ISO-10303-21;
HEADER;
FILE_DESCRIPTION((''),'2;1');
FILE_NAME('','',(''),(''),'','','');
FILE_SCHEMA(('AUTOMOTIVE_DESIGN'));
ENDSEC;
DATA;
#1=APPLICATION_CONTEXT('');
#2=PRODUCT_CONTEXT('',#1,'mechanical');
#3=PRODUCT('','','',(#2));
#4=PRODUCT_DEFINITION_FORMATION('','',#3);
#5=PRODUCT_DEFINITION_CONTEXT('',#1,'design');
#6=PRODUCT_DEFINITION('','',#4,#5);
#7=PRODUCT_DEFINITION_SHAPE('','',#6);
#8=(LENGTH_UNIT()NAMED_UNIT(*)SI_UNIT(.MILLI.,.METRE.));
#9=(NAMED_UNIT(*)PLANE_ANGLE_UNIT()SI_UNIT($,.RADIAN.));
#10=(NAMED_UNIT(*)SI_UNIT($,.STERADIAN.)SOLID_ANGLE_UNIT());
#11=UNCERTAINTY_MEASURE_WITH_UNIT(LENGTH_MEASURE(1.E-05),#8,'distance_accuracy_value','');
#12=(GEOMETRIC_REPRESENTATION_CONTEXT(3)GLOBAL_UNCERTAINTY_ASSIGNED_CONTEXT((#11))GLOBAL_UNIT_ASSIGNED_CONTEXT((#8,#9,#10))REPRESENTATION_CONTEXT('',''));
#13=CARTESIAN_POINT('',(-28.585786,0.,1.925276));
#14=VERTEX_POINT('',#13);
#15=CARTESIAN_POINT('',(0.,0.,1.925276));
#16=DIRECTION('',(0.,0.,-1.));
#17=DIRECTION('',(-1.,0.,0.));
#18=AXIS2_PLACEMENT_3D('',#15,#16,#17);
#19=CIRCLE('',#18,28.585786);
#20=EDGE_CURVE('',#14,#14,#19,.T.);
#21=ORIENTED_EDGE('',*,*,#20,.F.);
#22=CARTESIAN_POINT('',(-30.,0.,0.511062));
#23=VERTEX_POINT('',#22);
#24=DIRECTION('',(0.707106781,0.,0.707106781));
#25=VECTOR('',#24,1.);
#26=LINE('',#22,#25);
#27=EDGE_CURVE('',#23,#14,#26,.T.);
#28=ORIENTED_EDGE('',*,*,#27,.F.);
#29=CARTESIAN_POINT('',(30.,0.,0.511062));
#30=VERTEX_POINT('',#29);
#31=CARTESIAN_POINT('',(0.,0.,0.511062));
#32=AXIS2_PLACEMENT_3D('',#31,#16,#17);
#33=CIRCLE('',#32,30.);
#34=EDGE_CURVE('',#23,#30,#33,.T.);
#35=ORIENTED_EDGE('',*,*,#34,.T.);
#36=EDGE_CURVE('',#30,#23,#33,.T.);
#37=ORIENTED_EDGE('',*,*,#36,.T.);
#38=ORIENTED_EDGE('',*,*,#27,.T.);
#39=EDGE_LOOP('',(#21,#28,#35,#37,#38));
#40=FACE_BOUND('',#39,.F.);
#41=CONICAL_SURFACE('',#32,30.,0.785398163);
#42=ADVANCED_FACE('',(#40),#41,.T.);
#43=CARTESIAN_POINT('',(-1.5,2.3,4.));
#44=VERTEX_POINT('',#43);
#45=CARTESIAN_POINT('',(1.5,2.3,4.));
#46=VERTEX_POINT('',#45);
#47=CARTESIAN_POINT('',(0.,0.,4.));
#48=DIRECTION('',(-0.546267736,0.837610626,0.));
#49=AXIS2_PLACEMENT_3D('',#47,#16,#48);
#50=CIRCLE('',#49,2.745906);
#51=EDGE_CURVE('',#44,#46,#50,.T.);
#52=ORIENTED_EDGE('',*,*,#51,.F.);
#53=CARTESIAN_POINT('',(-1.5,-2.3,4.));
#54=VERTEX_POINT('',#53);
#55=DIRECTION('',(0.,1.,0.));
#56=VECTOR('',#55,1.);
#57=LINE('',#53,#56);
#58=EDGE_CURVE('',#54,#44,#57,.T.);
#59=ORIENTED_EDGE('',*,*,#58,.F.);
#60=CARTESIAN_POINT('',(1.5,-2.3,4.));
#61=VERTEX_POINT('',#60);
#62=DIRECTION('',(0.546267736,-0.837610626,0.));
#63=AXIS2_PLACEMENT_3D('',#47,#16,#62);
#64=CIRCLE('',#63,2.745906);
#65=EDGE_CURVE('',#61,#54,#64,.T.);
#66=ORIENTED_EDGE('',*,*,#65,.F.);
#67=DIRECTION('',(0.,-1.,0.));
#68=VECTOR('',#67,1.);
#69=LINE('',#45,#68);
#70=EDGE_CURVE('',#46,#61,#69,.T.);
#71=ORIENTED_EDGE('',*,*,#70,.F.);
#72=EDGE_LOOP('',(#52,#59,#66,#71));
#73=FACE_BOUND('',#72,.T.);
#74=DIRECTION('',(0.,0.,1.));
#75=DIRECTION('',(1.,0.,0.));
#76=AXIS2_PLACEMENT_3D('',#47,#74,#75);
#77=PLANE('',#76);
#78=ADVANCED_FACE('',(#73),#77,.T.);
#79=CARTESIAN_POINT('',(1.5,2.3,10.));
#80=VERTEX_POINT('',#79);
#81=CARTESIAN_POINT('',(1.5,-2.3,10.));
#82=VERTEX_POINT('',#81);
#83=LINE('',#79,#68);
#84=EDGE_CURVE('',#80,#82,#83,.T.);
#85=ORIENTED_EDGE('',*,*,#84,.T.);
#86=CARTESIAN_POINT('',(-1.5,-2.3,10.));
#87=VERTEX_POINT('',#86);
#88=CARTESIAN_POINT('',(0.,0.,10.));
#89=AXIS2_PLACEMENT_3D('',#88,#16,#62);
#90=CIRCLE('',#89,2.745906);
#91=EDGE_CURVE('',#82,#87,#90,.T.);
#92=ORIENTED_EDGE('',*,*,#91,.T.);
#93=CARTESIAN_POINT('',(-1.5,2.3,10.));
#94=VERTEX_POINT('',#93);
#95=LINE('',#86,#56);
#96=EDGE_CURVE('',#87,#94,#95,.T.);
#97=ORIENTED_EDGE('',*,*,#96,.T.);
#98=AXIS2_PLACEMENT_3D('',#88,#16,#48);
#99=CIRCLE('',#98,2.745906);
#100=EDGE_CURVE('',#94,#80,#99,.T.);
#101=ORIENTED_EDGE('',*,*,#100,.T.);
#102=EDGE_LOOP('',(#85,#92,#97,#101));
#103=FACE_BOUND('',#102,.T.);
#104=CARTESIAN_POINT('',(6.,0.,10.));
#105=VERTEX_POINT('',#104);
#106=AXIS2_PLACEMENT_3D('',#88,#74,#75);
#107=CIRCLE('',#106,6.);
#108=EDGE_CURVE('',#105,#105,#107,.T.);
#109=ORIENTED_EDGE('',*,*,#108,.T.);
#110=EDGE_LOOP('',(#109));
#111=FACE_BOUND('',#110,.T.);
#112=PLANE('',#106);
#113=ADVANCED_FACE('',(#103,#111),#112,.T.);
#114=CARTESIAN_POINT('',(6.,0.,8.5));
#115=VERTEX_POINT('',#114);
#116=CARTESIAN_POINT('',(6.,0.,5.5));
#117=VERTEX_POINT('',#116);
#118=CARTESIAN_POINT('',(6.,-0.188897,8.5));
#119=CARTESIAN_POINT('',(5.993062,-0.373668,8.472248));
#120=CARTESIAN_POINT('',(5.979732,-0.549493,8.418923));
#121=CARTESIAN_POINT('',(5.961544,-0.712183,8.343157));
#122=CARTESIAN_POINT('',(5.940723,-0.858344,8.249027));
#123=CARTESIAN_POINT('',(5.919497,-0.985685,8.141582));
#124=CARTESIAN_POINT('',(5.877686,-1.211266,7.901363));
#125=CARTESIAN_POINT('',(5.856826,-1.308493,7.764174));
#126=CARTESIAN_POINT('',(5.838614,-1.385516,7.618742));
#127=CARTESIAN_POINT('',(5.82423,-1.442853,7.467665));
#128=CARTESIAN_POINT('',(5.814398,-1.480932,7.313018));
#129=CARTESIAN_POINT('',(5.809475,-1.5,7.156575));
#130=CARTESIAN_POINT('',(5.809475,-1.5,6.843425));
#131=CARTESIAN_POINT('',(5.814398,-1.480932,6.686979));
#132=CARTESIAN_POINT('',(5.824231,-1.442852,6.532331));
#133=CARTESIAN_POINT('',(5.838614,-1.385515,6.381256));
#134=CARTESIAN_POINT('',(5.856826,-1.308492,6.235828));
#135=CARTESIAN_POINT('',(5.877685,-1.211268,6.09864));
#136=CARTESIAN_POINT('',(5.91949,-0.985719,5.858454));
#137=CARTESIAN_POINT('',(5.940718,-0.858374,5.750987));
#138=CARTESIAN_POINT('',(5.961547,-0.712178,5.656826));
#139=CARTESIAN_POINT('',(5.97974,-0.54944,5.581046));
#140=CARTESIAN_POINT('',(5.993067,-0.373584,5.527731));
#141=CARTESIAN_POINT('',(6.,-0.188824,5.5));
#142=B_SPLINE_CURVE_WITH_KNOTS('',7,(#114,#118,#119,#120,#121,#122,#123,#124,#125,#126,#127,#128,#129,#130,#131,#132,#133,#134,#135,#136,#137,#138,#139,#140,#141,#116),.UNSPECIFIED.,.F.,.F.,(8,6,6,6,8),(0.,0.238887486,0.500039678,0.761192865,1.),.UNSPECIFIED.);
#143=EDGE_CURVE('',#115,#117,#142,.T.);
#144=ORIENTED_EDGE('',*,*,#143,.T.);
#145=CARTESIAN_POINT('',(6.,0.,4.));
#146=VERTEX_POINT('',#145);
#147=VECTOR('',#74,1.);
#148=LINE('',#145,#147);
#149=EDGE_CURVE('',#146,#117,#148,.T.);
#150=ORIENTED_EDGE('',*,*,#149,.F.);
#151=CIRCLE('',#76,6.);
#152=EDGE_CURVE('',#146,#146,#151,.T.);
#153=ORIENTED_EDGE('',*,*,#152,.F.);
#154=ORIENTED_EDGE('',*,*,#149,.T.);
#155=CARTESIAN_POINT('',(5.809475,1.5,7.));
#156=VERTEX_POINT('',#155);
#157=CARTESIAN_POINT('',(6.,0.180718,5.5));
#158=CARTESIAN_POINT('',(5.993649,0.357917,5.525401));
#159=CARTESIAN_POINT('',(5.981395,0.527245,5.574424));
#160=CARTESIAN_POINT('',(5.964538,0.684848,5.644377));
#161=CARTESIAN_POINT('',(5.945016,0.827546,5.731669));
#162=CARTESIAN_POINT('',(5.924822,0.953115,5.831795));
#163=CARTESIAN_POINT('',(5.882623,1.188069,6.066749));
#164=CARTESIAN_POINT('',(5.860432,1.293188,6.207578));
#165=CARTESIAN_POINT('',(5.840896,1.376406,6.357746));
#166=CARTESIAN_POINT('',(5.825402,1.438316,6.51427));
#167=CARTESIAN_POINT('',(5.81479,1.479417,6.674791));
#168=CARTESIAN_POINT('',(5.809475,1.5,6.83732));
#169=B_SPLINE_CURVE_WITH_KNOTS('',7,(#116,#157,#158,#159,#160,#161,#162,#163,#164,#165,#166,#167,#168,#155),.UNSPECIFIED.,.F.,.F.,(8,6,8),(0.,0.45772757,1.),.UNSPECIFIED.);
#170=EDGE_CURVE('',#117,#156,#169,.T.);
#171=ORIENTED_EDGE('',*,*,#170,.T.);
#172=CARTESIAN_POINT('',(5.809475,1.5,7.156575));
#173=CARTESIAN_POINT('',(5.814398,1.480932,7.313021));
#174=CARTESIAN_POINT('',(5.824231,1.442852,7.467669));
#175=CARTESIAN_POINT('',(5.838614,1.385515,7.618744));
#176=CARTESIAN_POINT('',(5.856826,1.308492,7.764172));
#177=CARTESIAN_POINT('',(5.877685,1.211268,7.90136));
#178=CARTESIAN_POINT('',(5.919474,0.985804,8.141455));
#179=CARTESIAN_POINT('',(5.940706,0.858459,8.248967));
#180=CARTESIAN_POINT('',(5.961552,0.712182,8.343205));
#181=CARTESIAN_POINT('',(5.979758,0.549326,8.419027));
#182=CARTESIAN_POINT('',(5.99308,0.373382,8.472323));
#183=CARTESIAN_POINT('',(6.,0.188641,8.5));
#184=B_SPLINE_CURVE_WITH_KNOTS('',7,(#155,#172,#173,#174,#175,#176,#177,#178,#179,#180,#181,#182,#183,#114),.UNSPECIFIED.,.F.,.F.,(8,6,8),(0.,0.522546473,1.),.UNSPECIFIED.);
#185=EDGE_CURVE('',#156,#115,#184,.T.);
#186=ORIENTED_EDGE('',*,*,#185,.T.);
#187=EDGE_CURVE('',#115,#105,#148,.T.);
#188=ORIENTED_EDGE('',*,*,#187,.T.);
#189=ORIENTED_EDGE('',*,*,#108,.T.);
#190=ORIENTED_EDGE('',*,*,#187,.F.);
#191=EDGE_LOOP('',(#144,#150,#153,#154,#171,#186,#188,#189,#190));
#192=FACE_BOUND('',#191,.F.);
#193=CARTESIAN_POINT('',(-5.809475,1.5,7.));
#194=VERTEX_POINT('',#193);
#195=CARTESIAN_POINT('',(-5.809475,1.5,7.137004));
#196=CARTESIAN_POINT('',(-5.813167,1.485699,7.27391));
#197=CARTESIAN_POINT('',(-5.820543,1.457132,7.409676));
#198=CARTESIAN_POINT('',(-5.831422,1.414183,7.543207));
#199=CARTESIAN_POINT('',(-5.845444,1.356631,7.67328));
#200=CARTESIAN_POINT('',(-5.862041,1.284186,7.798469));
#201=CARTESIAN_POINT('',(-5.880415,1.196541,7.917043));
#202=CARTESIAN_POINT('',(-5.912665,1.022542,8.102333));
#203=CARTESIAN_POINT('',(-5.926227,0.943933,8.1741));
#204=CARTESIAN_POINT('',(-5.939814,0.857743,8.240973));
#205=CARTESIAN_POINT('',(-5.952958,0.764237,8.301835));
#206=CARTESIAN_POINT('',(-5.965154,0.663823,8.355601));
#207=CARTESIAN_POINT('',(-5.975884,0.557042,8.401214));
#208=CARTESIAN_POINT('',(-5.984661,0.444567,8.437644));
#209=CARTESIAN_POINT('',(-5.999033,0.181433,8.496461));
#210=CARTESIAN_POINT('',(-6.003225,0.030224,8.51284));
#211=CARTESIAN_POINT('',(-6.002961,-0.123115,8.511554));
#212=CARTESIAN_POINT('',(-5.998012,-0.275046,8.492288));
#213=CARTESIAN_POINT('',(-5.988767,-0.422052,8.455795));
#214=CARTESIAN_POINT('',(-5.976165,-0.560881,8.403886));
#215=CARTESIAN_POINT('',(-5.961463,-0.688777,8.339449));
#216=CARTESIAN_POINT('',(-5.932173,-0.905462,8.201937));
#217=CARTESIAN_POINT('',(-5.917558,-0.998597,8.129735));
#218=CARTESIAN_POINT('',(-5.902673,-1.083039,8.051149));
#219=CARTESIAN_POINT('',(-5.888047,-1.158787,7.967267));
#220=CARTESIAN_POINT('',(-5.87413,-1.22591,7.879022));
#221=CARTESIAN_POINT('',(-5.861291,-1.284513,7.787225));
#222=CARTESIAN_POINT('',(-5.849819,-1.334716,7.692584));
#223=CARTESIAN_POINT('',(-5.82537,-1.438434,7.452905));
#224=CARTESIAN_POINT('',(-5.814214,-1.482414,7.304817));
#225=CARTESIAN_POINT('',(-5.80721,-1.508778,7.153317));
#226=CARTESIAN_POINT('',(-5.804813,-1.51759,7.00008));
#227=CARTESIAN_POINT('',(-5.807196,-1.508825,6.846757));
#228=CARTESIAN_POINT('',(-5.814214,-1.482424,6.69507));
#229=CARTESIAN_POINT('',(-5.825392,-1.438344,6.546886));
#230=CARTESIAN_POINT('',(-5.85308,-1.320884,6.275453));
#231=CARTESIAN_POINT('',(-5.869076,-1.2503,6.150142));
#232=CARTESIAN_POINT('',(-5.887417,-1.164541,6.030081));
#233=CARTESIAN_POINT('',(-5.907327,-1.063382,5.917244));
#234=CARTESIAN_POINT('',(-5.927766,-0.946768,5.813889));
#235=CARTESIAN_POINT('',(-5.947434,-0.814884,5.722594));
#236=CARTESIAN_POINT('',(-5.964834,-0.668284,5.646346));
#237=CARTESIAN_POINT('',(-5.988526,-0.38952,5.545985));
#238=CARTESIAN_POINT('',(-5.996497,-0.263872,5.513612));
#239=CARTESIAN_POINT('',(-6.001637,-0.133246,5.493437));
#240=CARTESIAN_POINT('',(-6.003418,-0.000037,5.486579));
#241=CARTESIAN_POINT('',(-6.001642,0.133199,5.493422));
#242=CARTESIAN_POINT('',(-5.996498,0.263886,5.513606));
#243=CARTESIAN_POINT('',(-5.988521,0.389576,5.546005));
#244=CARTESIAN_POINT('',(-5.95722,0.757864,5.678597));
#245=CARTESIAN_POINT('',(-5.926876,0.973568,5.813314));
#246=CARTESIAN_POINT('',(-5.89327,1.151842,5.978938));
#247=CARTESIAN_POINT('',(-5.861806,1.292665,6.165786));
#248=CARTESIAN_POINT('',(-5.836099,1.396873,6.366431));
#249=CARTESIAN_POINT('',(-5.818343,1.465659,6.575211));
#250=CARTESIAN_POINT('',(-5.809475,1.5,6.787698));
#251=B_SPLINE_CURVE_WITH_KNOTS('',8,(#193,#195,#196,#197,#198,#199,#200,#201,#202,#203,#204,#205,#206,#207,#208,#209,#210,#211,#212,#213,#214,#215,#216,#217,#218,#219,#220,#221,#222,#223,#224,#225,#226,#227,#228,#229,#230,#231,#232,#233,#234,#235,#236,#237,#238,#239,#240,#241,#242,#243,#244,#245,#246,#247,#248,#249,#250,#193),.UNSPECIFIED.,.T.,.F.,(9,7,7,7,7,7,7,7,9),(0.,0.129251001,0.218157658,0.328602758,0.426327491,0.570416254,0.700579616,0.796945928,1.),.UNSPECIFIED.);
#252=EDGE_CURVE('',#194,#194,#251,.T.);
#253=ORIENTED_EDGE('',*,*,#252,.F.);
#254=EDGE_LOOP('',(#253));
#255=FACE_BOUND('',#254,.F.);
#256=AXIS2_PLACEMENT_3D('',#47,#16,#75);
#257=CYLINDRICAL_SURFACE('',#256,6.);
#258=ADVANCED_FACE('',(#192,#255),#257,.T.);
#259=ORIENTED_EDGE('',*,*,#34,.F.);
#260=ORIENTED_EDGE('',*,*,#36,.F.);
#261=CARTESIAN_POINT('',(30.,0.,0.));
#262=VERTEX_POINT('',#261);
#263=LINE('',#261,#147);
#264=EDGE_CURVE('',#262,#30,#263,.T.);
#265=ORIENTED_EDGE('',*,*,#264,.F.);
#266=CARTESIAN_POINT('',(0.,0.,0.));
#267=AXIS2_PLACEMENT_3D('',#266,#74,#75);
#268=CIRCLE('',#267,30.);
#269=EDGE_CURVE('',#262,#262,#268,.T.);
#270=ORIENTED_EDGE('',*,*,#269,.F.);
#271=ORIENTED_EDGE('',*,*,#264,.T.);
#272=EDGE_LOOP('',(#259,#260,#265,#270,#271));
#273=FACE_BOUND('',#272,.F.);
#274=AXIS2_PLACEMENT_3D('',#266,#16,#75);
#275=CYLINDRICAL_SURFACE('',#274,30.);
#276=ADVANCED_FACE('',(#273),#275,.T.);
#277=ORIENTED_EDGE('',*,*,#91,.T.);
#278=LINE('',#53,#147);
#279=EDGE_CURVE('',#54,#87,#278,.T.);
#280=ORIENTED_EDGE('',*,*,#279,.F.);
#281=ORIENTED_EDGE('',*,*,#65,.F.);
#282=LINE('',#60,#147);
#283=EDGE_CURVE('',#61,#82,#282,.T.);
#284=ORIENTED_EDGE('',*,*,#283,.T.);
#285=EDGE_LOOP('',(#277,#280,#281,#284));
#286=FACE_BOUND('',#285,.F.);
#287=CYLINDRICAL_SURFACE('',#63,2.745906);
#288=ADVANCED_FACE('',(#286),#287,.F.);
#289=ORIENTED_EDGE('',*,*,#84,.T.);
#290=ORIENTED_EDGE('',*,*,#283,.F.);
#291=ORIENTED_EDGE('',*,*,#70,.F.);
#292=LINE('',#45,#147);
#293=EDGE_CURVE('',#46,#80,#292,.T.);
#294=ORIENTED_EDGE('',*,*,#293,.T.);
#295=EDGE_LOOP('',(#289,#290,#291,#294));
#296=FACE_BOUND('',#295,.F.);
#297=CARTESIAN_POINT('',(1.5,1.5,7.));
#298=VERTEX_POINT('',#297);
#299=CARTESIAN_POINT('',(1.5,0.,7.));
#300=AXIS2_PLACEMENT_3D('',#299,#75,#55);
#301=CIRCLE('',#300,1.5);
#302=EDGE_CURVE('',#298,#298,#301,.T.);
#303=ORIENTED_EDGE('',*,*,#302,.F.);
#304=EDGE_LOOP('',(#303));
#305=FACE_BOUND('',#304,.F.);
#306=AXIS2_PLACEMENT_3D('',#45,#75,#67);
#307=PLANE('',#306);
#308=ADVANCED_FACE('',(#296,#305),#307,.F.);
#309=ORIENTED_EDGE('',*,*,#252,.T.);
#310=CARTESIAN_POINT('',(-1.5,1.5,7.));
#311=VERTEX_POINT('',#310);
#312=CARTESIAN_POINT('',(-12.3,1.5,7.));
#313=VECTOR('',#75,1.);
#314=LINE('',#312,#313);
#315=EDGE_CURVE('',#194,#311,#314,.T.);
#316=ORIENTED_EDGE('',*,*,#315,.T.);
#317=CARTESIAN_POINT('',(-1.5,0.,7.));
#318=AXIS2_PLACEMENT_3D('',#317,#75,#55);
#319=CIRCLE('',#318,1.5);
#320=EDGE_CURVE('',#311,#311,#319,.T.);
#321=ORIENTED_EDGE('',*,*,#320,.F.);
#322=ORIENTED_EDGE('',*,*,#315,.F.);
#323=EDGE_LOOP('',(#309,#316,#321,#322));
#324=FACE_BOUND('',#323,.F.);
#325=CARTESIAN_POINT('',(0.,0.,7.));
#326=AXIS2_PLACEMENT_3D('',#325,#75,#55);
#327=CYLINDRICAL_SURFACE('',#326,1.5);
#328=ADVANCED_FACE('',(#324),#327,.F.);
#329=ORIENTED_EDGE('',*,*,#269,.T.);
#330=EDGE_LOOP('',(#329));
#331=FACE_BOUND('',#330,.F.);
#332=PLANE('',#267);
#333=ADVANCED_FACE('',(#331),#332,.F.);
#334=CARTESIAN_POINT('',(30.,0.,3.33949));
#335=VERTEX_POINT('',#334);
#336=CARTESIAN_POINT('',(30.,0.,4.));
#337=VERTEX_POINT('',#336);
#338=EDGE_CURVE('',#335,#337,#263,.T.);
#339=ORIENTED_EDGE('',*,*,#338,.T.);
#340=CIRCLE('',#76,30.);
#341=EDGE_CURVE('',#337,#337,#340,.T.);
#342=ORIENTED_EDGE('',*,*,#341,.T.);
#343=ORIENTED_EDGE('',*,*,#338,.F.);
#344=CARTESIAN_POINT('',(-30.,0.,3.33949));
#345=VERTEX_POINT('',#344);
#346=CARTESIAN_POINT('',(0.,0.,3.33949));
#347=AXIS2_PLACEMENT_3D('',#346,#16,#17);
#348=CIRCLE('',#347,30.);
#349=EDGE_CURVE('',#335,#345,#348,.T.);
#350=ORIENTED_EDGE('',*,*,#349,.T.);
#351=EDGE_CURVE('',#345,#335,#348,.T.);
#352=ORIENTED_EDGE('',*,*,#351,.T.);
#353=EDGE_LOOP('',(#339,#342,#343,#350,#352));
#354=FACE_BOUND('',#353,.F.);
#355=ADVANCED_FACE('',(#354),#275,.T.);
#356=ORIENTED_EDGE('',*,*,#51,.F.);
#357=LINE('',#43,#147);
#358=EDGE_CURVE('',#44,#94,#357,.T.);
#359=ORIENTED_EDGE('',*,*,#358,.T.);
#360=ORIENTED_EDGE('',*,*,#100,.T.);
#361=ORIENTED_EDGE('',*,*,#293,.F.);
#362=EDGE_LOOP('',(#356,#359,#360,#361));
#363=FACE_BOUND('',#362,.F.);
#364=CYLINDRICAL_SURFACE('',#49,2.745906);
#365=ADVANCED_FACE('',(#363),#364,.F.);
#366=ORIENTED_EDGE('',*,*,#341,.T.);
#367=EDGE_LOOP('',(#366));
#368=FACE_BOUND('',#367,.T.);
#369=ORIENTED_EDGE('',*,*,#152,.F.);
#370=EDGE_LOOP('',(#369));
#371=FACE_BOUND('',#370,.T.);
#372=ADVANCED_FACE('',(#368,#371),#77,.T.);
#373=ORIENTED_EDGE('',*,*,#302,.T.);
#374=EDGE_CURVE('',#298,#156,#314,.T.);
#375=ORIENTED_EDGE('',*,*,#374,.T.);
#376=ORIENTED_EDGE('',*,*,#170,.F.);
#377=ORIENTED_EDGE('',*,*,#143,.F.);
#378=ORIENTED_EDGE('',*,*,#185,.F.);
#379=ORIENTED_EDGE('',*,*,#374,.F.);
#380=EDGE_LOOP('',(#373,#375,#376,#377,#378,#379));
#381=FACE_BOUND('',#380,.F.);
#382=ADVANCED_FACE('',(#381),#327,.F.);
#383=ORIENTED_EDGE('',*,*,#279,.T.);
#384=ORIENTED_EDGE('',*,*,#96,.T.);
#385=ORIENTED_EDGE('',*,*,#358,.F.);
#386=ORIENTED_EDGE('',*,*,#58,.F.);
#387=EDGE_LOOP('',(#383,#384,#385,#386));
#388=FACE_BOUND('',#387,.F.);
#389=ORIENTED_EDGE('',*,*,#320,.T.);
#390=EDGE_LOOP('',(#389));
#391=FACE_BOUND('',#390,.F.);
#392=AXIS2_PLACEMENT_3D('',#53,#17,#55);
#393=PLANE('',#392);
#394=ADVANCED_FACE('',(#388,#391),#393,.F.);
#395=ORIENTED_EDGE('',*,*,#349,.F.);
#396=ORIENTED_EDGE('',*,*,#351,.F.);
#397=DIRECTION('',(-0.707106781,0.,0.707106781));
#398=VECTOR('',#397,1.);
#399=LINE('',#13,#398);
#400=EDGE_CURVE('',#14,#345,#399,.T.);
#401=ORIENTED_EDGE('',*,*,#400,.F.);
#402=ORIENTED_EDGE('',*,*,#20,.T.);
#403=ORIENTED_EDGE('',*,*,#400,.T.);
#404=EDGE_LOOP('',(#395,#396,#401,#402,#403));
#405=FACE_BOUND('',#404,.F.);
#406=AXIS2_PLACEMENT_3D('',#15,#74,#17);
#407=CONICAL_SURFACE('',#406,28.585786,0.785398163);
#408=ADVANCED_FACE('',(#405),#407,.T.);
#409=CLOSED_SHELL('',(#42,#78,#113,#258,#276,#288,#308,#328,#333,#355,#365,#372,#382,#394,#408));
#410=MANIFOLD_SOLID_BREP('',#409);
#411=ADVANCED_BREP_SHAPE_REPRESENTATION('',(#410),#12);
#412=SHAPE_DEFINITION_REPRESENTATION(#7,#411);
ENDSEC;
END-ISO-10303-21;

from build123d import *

# Parameters (mm, degrees)
F0_R     = 30
F1_DEPTH = 4
F2_R     = 6
F3_DEPTH = 6
F4_R     = 1.5
F5_DEPTH = 12.3


with BuildPart() as f1:
    # F0 (on Top) → F1 (new body)
    with BuildSketch(Plane.XY):
        Circle(F0_R)
    extrude(amount=F1_DEPTH)

    # F2 (on face) → F3 (join)
    with BuildSketch(Plane.XY.offset(4)):
        Circle(F2_R)
        with BuildLine():
            Line((1.5, 2.3), (1.5, -2.3))
            ThreePointArc((1.5, -2.3), (0, -2.745906), (-1.5, -2.3))
            Line((-1.5, -2.3), (-1.5, 2.3))
            ThreePointArc((-1.5, 2.3), (0, 2.745906), (1.5, 2.3))
        make_face(mode=Mode.SUBTRACT)
    extrude(amount=F3_DEPTH)

    # F4 (on Right) → F5 (cut, symmetric)
    with BuildSketch(Plane.YZ):
        with Locations((0, 7)):
            Circle(F4_R)
    extrude(amount=F5_DEPTH, both=True, mode=Mode.SUBTRACT)

    # F6 (on Front) → F7 (revolve, cut)
    with BuildSketch(Plane.XZ):
        Polygon((-30, 3.33949), (-30, 0.511062), (-28.585786, 1.925276), align=None)
    revolve(axis=Axis((0, 0, 6.11444), (0, 0, -1)), mode=Mode.SUBTRACT)


solid = f1.part
